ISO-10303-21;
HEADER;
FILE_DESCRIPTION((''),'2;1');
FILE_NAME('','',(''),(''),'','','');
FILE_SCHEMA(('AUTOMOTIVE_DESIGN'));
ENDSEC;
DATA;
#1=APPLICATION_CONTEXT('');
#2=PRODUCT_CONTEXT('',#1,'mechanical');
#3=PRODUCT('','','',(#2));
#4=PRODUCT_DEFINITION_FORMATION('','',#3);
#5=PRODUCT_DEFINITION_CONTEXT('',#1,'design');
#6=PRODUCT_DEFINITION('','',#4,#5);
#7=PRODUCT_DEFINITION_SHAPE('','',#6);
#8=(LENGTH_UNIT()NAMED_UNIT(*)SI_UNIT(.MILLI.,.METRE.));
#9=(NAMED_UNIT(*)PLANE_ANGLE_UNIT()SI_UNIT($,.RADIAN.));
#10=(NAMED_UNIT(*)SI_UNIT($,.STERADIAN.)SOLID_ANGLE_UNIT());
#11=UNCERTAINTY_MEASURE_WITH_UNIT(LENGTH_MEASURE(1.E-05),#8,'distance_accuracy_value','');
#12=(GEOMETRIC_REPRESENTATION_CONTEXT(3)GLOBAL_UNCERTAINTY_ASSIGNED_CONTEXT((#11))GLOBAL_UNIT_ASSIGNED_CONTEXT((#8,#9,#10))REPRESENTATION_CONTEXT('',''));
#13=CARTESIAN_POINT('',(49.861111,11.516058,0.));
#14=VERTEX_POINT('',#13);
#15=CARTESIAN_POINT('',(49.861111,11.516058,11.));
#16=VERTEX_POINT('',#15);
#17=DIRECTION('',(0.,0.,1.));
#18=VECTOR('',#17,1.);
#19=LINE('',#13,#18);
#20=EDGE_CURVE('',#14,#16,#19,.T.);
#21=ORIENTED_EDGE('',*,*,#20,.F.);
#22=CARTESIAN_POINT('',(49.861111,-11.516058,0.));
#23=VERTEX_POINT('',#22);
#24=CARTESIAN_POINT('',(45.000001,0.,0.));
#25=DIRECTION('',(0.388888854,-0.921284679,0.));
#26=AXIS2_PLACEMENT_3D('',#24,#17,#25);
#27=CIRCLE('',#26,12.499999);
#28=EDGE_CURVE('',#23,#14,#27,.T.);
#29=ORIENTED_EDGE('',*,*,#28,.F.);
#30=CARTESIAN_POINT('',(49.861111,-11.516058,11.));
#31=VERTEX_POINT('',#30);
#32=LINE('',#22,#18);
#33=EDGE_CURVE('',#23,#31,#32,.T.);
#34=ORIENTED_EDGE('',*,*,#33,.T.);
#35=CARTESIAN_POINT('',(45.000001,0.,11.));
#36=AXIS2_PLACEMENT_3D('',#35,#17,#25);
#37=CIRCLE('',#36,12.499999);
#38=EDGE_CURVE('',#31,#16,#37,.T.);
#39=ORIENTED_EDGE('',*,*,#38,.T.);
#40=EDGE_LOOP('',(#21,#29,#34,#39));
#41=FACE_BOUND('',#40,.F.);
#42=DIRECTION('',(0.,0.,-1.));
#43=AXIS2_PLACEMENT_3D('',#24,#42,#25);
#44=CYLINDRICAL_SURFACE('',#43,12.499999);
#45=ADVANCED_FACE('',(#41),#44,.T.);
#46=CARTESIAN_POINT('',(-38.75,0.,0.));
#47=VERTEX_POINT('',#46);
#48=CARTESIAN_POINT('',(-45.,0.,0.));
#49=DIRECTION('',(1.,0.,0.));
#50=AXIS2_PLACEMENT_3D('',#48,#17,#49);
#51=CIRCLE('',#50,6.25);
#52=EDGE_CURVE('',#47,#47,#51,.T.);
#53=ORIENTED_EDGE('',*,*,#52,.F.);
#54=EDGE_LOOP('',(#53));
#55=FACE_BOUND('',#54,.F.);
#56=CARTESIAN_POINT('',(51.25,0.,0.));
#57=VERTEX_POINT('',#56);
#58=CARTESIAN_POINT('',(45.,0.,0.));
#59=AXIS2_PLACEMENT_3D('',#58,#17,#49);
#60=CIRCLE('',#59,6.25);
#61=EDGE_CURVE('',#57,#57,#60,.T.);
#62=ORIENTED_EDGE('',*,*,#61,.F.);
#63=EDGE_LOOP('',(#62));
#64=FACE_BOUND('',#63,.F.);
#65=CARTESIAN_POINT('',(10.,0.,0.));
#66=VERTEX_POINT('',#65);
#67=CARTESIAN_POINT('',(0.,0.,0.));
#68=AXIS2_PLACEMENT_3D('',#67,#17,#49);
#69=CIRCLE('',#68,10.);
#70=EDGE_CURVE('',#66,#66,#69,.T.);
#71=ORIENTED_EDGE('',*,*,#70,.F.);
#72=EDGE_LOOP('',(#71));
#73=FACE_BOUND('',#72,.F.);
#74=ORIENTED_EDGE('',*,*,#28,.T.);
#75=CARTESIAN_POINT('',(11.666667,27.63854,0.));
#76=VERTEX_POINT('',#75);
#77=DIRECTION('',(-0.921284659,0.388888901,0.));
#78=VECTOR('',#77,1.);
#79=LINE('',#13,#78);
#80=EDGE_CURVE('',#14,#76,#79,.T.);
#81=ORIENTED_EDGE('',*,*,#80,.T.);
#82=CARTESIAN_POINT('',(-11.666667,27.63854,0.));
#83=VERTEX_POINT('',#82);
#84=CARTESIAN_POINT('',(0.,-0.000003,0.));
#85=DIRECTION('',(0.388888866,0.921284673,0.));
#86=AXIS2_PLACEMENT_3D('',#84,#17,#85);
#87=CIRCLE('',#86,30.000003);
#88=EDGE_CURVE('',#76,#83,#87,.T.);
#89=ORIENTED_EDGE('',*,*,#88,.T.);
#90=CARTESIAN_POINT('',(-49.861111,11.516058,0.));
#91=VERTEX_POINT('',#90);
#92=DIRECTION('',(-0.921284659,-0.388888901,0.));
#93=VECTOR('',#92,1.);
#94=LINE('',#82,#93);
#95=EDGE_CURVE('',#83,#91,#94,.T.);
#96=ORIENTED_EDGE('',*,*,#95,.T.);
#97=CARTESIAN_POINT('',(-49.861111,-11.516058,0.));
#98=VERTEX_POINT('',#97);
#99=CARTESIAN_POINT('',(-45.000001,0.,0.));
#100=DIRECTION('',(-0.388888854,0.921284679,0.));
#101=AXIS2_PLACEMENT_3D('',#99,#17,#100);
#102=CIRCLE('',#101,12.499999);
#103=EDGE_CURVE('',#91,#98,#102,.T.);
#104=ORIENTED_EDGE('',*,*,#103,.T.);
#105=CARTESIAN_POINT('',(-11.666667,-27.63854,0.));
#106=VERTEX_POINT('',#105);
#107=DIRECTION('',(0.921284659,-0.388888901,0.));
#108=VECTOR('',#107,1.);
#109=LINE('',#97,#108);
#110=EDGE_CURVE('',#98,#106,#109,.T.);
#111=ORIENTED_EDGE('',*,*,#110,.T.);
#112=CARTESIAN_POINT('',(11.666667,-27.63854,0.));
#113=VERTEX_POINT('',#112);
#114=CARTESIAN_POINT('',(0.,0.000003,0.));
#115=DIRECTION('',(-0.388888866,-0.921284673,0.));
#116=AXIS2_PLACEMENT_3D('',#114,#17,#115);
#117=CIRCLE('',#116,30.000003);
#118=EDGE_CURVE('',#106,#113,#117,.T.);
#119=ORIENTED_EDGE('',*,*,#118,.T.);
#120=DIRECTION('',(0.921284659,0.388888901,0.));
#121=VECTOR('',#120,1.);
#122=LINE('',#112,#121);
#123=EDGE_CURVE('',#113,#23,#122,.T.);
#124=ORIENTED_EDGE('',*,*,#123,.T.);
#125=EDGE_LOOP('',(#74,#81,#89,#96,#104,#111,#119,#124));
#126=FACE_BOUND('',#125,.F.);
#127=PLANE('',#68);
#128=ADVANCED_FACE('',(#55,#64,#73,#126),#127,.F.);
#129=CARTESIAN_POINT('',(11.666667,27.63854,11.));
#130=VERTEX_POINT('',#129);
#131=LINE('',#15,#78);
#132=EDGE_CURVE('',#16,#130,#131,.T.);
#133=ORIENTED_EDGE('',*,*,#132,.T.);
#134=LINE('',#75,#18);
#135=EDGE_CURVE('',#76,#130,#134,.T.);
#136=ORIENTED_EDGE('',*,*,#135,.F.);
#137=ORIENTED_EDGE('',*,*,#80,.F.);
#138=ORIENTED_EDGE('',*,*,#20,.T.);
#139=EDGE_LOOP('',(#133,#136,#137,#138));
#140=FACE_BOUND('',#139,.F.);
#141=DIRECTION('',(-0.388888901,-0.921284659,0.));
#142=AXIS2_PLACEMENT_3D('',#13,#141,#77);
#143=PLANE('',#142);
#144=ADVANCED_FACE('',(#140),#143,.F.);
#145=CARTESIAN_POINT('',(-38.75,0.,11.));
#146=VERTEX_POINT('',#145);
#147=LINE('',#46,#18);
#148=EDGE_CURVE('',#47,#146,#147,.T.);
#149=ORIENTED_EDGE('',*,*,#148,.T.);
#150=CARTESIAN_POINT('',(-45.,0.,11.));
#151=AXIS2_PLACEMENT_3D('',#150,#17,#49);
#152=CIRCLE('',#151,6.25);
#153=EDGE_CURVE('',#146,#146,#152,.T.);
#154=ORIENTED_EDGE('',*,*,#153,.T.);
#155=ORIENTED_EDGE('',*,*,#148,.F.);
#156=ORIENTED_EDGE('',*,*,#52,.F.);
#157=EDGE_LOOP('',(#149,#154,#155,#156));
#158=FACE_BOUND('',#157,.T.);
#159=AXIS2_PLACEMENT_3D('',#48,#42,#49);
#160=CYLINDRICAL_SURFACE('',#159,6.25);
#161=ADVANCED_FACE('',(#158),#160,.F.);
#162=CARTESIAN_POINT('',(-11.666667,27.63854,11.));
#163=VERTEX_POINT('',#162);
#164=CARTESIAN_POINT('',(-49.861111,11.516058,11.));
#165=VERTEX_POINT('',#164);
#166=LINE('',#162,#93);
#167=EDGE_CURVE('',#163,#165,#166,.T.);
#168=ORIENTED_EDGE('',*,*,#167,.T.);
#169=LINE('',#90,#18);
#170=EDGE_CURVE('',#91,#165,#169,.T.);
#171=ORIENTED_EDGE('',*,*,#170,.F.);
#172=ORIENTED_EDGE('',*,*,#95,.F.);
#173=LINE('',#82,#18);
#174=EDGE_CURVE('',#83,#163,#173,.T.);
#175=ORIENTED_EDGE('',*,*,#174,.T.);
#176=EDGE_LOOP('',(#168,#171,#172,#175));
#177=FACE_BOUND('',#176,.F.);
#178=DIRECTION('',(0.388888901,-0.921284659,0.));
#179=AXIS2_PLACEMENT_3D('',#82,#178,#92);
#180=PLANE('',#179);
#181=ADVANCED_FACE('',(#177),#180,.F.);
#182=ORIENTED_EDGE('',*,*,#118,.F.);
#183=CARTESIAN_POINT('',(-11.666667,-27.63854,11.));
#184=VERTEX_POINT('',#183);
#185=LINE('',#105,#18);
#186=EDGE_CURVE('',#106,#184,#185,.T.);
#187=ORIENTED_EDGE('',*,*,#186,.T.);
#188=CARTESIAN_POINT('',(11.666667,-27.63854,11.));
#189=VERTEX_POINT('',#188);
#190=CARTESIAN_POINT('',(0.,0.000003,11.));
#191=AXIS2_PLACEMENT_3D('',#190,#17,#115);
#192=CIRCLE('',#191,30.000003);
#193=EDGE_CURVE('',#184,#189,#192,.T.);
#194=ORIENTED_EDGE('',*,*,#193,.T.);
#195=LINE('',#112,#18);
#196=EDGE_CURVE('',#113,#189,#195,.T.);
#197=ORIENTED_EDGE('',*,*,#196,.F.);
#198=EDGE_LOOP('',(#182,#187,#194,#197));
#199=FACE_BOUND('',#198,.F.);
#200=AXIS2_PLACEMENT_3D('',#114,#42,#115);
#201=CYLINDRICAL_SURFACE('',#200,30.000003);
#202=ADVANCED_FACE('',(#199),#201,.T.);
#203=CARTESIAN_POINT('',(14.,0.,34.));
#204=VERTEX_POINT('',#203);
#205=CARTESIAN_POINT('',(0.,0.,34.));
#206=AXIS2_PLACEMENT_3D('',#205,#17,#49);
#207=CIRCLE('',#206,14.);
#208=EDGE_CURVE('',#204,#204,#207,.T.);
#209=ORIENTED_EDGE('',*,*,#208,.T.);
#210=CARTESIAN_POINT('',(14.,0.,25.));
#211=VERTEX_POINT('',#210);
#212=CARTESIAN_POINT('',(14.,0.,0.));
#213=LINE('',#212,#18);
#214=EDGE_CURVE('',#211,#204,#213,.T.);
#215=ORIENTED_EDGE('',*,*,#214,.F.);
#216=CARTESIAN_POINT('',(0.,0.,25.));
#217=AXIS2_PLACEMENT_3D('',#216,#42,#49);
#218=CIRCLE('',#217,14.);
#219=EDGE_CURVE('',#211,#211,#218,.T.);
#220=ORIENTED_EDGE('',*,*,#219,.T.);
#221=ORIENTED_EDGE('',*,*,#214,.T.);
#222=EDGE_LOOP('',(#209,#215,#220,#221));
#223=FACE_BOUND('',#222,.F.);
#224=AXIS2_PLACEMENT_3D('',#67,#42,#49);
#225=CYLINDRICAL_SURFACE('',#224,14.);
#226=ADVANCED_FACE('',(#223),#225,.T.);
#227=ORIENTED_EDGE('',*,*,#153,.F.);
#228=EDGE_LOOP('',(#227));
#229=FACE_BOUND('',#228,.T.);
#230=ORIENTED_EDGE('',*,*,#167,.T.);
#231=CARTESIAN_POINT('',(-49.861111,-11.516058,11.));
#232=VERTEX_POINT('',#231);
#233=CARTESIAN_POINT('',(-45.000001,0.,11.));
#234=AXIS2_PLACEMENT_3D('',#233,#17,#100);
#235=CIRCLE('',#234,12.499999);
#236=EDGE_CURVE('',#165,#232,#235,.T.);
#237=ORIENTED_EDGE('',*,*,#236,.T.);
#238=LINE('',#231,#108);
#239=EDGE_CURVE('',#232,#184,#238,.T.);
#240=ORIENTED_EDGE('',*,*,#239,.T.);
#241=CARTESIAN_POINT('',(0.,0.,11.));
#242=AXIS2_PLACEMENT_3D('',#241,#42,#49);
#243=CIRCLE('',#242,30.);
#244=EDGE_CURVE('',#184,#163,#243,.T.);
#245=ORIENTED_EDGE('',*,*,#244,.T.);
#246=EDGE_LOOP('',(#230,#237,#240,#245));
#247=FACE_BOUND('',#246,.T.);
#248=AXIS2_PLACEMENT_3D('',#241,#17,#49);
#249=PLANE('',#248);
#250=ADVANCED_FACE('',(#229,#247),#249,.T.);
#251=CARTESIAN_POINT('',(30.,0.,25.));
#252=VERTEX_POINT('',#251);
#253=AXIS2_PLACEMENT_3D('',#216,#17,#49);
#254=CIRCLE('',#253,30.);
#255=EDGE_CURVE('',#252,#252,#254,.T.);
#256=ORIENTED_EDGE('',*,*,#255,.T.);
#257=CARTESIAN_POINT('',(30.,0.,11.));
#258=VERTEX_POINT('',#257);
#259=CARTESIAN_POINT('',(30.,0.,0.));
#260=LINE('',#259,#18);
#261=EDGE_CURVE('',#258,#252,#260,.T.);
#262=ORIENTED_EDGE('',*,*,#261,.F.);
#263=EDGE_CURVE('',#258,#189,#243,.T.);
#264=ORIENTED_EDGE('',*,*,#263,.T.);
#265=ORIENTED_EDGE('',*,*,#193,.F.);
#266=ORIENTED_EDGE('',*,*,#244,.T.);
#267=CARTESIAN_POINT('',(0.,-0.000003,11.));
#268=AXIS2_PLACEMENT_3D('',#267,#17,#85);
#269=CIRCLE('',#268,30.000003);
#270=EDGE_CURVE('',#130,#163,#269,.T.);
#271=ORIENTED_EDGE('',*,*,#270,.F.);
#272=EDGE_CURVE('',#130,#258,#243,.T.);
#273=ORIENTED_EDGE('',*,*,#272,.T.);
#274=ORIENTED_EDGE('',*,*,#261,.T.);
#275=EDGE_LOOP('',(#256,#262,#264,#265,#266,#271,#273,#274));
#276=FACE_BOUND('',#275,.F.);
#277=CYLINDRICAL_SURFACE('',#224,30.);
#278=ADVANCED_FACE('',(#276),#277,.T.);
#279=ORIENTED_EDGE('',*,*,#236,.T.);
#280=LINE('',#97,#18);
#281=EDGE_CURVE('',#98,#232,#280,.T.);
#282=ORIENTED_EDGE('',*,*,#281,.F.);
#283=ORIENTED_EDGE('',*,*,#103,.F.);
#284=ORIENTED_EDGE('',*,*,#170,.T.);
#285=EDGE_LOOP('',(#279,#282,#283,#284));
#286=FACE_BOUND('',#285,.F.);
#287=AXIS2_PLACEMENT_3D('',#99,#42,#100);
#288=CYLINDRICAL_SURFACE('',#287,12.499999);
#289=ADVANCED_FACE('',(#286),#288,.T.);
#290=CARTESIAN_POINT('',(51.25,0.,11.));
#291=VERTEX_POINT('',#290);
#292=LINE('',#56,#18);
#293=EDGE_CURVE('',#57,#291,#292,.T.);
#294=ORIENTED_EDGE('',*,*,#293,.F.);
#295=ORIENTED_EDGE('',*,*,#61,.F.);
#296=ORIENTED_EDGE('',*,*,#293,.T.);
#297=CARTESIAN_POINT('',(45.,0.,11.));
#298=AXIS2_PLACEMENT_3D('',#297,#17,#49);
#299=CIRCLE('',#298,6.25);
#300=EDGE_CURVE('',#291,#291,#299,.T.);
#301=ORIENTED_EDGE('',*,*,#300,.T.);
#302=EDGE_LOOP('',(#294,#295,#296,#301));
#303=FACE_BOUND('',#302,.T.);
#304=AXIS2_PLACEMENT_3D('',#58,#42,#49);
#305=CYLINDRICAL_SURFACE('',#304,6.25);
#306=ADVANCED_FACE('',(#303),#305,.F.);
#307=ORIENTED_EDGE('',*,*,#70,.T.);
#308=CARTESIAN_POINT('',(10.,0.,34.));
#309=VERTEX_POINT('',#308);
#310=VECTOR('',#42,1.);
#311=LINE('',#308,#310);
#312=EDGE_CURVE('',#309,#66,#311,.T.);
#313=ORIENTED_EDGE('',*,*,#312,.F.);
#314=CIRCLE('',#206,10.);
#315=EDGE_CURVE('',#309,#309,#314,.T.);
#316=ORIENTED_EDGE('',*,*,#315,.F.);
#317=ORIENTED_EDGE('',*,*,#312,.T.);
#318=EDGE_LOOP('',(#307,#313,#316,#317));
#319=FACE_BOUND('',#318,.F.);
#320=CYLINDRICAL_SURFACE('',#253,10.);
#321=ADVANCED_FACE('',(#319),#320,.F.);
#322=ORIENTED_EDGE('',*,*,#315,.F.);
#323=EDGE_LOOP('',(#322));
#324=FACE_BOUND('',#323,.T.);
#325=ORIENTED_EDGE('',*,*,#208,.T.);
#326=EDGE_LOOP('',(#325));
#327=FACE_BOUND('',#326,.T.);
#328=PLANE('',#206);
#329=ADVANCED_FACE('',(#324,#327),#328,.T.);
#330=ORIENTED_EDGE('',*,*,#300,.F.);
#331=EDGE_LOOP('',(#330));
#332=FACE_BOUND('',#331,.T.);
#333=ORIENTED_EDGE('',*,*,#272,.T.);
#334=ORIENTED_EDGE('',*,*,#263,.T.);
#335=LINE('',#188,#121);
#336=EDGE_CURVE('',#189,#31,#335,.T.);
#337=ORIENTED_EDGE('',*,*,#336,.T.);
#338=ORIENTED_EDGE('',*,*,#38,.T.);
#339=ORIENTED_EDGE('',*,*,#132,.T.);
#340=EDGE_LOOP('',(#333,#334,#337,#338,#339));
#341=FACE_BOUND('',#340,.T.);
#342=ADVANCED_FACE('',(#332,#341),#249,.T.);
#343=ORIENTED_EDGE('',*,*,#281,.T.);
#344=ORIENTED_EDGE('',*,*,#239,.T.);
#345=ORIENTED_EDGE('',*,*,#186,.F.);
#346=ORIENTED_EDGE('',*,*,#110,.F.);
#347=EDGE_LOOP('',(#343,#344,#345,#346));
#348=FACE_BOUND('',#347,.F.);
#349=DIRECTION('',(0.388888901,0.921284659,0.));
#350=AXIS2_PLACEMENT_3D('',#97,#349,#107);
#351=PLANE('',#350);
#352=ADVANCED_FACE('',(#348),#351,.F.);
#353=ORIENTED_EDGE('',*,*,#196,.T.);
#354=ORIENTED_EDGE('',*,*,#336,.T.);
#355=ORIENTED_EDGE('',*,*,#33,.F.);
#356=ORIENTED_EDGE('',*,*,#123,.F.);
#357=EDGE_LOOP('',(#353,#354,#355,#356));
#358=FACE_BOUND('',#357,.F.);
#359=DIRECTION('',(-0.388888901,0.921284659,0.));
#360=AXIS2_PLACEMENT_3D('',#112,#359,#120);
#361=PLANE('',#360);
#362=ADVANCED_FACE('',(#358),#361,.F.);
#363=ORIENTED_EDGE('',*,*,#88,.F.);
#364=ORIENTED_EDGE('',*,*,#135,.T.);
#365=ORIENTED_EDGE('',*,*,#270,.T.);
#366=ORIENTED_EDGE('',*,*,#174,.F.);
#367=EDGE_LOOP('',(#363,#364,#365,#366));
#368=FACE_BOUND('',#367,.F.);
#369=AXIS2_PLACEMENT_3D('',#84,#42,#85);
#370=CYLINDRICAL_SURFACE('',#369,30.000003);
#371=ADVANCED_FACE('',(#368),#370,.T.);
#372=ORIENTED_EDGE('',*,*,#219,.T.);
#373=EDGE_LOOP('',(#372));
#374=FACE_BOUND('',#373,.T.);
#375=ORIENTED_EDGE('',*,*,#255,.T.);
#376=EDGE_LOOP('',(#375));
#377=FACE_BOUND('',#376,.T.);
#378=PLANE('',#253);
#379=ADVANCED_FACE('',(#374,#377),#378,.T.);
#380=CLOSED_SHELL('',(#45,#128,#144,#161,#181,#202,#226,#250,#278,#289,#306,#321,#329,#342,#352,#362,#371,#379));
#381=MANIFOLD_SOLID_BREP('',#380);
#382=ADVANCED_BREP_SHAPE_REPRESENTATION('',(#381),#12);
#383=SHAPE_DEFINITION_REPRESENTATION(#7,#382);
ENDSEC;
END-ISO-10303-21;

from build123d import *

# Parameters (mm, degrees)
F0_R      = 6.25
F1_DEPTH  = 11
F2_R      = 30
F3_DEPTH  = 25
F4_R      = 14
F4_R_2    = 10
F5_DEPTH  = 34
F5_FACE_R = 10
F6_DEPTH  = 25


with BuildPart() as f1:
    # F0 (on Top) → F1 (new body)
    with BuildSketch(Plane.XY):
        with BuildLine():
            Line((-49.861111, -11.516058), (-11.666667, -27.63854))
            ThreePointArc((-11.666667, -27.63854), (0, -30), (11.666667, -27.63854))
            Line((11.666667, -27.63854), (49.861111, -11.516058))
            ThreePointArc((49.861111, -11.516058), (57.5, 0), (49.861111, 11.516058))
            Line((49.861111, 11.516058), (11.666667, 27.63854))
            ThreePointArc((11.666667, 27.63854), (0, 30), (-11.666667, 27.63854))
            Line((-11.666667, 27.63854), (-49.861111, 11.516058))
            ThreePointArc((-49.861111, 11.516058), (-57.5, 0), (-49.861111, -11.516058))
        make_face()
        with Locations((-45, 0)):
            Circle(F0_R, mode=Mode.SUBTRACT)
        with Locations((45, 0)):
            Circle(F0_R, mode=Mode.SUBTRACT)
    extrude(amount=F1_DEPTH)

    # F2 (on Top) → F3 (join)
    with BuildSketch(Plane.XY):
        Circle(F2_R)
    extrude(amount=F3_DEPTH)

    # F4 (on Top) → F5 (join)
    with BuildSketch(Plane.XY):
        Circle(F4_R)
        Circle(F4_R_2, mode=Mode.SUBTRACT)
    extrude(amount=F5_DEPTH)

    # F5_face (on face) → F6 (cut)
    with BuildSketch(Plane.XY.offset(25)):
        Circle(F5_FACE_R)
    extrude(amount=-F6_DEPTH, mode=Mode.SUBTRACT)


solid = f1.part
